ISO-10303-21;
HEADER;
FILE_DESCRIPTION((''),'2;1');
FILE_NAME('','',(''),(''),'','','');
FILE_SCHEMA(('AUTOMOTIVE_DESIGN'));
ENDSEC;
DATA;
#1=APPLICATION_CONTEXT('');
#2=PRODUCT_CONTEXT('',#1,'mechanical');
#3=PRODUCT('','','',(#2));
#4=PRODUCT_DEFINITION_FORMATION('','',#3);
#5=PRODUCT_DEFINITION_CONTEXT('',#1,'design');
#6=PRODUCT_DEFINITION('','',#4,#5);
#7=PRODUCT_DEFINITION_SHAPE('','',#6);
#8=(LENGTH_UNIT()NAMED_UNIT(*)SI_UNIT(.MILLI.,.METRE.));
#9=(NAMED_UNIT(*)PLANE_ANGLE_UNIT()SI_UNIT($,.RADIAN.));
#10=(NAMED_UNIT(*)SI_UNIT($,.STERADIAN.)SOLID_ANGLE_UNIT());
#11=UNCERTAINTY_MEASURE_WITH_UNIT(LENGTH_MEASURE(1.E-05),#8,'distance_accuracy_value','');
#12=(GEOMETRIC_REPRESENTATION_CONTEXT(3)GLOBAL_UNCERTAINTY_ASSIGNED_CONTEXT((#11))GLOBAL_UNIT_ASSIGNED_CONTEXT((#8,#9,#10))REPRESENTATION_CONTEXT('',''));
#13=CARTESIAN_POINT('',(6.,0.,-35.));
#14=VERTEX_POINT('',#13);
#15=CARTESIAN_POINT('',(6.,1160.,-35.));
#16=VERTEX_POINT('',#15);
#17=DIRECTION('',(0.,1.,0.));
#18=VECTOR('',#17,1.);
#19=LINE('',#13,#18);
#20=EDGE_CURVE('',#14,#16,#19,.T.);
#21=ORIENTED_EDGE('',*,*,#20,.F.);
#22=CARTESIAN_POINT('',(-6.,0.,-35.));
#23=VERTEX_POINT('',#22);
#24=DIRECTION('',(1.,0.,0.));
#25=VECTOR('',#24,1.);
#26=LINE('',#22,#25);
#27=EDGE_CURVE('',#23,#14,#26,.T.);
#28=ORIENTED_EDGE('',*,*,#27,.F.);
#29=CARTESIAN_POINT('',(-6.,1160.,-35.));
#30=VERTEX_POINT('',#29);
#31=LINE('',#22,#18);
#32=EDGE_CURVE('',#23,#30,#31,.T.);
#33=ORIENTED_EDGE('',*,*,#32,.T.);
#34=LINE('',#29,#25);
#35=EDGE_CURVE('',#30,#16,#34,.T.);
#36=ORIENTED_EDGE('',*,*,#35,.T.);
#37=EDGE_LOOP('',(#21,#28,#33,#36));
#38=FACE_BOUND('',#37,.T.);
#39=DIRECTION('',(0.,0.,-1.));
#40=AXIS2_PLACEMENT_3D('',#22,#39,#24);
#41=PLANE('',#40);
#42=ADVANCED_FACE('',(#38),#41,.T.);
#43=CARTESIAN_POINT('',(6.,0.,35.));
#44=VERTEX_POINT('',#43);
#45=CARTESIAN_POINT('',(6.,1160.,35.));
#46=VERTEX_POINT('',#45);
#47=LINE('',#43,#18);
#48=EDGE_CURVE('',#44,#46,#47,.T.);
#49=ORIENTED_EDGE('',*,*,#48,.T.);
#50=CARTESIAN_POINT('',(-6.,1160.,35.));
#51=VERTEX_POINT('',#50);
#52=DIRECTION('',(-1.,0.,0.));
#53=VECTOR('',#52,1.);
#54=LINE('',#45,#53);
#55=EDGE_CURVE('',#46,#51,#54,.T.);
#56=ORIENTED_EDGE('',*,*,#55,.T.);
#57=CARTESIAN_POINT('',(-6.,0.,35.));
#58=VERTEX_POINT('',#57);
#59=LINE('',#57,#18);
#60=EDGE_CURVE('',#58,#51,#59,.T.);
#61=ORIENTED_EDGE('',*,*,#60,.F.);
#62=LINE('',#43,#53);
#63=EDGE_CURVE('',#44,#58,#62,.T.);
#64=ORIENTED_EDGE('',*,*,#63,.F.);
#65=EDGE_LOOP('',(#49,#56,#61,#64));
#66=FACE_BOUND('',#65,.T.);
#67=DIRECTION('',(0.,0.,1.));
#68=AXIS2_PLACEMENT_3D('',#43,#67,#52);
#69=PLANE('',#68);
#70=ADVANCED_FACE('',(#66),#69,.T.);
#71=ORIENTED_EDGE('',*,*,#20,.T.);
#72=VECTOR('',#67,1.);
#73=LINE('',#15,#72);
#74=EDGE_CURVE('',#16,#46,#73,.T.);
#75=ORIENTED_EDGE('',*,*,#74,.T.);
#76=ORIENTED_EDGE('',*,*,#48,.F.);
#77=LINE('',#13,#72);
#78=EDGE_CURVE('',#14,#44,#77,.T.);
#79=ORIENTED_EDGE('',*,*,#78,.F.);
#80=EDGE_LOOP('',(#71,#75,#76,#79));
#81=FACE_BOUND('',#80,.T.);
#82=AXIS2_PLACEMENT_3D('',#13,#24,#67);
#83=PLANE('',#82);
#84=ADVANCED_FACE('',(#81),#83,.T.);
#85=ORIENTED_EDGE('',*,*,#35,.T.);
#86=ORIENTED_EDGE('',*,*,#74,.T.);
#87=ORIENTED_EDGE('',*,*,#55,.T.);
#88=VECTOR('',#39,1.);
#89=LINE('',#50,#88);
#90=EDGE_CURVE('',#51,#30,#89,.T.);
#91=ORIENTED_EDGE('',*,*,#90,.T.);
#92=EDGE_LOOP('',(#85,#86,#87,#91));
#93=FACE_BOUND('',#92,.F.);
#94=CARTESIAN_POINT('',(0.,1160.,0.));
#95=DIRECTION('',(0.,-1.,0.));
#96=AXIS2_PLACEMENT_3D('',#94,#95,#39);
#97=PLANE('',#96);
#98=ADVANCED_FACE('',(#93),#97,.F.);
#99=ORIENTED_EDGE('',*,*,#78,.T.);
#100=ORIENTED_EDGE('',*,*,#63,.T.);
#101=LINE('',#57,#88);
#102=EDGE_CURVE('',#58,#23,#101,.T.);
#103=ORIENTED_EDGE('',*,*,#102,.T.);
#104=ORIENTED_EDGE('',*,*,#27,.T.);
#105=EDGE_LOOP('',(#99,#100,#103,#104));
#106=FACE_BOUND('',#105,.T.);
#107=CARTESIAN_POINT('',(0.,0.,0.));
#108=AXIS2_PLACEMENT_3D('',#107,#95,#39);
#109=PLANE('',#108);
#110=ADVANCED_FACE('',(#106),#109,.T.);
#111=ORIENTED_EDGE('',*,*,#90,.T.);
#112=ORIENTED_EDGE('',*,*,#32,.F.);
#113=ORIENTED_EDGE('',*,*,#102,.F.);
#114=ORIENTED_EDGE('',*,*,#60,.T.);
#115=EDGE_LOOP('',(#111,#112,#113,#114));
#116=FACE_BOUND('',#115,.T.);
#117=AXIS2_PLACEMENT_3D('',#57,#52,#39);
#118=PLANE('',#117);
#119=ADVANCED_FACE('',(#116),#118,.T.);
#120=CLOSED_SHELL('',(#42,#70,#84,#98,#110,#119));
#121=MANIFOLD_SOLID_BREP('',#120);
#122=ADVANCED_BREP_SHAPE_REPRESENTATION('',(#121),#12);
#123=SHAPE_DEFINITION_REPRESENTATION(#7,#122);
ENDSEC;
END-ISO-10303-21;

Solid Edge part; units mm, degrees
sketch "Sketch1" plane through (0, 0, 0) normal (0, -1, 0) x (1, 0, 0)
  line L0 (-6, -35) -> (6, -35)
  line L1 (6, -35) -> (6, 35)
  line L2 (6, 35) -> (-6, 35)
  line L3 (-6, 35) -> (-6, -35)
extrude "Protrusion1" add sketch "Sketch1" against normal blind 1160
